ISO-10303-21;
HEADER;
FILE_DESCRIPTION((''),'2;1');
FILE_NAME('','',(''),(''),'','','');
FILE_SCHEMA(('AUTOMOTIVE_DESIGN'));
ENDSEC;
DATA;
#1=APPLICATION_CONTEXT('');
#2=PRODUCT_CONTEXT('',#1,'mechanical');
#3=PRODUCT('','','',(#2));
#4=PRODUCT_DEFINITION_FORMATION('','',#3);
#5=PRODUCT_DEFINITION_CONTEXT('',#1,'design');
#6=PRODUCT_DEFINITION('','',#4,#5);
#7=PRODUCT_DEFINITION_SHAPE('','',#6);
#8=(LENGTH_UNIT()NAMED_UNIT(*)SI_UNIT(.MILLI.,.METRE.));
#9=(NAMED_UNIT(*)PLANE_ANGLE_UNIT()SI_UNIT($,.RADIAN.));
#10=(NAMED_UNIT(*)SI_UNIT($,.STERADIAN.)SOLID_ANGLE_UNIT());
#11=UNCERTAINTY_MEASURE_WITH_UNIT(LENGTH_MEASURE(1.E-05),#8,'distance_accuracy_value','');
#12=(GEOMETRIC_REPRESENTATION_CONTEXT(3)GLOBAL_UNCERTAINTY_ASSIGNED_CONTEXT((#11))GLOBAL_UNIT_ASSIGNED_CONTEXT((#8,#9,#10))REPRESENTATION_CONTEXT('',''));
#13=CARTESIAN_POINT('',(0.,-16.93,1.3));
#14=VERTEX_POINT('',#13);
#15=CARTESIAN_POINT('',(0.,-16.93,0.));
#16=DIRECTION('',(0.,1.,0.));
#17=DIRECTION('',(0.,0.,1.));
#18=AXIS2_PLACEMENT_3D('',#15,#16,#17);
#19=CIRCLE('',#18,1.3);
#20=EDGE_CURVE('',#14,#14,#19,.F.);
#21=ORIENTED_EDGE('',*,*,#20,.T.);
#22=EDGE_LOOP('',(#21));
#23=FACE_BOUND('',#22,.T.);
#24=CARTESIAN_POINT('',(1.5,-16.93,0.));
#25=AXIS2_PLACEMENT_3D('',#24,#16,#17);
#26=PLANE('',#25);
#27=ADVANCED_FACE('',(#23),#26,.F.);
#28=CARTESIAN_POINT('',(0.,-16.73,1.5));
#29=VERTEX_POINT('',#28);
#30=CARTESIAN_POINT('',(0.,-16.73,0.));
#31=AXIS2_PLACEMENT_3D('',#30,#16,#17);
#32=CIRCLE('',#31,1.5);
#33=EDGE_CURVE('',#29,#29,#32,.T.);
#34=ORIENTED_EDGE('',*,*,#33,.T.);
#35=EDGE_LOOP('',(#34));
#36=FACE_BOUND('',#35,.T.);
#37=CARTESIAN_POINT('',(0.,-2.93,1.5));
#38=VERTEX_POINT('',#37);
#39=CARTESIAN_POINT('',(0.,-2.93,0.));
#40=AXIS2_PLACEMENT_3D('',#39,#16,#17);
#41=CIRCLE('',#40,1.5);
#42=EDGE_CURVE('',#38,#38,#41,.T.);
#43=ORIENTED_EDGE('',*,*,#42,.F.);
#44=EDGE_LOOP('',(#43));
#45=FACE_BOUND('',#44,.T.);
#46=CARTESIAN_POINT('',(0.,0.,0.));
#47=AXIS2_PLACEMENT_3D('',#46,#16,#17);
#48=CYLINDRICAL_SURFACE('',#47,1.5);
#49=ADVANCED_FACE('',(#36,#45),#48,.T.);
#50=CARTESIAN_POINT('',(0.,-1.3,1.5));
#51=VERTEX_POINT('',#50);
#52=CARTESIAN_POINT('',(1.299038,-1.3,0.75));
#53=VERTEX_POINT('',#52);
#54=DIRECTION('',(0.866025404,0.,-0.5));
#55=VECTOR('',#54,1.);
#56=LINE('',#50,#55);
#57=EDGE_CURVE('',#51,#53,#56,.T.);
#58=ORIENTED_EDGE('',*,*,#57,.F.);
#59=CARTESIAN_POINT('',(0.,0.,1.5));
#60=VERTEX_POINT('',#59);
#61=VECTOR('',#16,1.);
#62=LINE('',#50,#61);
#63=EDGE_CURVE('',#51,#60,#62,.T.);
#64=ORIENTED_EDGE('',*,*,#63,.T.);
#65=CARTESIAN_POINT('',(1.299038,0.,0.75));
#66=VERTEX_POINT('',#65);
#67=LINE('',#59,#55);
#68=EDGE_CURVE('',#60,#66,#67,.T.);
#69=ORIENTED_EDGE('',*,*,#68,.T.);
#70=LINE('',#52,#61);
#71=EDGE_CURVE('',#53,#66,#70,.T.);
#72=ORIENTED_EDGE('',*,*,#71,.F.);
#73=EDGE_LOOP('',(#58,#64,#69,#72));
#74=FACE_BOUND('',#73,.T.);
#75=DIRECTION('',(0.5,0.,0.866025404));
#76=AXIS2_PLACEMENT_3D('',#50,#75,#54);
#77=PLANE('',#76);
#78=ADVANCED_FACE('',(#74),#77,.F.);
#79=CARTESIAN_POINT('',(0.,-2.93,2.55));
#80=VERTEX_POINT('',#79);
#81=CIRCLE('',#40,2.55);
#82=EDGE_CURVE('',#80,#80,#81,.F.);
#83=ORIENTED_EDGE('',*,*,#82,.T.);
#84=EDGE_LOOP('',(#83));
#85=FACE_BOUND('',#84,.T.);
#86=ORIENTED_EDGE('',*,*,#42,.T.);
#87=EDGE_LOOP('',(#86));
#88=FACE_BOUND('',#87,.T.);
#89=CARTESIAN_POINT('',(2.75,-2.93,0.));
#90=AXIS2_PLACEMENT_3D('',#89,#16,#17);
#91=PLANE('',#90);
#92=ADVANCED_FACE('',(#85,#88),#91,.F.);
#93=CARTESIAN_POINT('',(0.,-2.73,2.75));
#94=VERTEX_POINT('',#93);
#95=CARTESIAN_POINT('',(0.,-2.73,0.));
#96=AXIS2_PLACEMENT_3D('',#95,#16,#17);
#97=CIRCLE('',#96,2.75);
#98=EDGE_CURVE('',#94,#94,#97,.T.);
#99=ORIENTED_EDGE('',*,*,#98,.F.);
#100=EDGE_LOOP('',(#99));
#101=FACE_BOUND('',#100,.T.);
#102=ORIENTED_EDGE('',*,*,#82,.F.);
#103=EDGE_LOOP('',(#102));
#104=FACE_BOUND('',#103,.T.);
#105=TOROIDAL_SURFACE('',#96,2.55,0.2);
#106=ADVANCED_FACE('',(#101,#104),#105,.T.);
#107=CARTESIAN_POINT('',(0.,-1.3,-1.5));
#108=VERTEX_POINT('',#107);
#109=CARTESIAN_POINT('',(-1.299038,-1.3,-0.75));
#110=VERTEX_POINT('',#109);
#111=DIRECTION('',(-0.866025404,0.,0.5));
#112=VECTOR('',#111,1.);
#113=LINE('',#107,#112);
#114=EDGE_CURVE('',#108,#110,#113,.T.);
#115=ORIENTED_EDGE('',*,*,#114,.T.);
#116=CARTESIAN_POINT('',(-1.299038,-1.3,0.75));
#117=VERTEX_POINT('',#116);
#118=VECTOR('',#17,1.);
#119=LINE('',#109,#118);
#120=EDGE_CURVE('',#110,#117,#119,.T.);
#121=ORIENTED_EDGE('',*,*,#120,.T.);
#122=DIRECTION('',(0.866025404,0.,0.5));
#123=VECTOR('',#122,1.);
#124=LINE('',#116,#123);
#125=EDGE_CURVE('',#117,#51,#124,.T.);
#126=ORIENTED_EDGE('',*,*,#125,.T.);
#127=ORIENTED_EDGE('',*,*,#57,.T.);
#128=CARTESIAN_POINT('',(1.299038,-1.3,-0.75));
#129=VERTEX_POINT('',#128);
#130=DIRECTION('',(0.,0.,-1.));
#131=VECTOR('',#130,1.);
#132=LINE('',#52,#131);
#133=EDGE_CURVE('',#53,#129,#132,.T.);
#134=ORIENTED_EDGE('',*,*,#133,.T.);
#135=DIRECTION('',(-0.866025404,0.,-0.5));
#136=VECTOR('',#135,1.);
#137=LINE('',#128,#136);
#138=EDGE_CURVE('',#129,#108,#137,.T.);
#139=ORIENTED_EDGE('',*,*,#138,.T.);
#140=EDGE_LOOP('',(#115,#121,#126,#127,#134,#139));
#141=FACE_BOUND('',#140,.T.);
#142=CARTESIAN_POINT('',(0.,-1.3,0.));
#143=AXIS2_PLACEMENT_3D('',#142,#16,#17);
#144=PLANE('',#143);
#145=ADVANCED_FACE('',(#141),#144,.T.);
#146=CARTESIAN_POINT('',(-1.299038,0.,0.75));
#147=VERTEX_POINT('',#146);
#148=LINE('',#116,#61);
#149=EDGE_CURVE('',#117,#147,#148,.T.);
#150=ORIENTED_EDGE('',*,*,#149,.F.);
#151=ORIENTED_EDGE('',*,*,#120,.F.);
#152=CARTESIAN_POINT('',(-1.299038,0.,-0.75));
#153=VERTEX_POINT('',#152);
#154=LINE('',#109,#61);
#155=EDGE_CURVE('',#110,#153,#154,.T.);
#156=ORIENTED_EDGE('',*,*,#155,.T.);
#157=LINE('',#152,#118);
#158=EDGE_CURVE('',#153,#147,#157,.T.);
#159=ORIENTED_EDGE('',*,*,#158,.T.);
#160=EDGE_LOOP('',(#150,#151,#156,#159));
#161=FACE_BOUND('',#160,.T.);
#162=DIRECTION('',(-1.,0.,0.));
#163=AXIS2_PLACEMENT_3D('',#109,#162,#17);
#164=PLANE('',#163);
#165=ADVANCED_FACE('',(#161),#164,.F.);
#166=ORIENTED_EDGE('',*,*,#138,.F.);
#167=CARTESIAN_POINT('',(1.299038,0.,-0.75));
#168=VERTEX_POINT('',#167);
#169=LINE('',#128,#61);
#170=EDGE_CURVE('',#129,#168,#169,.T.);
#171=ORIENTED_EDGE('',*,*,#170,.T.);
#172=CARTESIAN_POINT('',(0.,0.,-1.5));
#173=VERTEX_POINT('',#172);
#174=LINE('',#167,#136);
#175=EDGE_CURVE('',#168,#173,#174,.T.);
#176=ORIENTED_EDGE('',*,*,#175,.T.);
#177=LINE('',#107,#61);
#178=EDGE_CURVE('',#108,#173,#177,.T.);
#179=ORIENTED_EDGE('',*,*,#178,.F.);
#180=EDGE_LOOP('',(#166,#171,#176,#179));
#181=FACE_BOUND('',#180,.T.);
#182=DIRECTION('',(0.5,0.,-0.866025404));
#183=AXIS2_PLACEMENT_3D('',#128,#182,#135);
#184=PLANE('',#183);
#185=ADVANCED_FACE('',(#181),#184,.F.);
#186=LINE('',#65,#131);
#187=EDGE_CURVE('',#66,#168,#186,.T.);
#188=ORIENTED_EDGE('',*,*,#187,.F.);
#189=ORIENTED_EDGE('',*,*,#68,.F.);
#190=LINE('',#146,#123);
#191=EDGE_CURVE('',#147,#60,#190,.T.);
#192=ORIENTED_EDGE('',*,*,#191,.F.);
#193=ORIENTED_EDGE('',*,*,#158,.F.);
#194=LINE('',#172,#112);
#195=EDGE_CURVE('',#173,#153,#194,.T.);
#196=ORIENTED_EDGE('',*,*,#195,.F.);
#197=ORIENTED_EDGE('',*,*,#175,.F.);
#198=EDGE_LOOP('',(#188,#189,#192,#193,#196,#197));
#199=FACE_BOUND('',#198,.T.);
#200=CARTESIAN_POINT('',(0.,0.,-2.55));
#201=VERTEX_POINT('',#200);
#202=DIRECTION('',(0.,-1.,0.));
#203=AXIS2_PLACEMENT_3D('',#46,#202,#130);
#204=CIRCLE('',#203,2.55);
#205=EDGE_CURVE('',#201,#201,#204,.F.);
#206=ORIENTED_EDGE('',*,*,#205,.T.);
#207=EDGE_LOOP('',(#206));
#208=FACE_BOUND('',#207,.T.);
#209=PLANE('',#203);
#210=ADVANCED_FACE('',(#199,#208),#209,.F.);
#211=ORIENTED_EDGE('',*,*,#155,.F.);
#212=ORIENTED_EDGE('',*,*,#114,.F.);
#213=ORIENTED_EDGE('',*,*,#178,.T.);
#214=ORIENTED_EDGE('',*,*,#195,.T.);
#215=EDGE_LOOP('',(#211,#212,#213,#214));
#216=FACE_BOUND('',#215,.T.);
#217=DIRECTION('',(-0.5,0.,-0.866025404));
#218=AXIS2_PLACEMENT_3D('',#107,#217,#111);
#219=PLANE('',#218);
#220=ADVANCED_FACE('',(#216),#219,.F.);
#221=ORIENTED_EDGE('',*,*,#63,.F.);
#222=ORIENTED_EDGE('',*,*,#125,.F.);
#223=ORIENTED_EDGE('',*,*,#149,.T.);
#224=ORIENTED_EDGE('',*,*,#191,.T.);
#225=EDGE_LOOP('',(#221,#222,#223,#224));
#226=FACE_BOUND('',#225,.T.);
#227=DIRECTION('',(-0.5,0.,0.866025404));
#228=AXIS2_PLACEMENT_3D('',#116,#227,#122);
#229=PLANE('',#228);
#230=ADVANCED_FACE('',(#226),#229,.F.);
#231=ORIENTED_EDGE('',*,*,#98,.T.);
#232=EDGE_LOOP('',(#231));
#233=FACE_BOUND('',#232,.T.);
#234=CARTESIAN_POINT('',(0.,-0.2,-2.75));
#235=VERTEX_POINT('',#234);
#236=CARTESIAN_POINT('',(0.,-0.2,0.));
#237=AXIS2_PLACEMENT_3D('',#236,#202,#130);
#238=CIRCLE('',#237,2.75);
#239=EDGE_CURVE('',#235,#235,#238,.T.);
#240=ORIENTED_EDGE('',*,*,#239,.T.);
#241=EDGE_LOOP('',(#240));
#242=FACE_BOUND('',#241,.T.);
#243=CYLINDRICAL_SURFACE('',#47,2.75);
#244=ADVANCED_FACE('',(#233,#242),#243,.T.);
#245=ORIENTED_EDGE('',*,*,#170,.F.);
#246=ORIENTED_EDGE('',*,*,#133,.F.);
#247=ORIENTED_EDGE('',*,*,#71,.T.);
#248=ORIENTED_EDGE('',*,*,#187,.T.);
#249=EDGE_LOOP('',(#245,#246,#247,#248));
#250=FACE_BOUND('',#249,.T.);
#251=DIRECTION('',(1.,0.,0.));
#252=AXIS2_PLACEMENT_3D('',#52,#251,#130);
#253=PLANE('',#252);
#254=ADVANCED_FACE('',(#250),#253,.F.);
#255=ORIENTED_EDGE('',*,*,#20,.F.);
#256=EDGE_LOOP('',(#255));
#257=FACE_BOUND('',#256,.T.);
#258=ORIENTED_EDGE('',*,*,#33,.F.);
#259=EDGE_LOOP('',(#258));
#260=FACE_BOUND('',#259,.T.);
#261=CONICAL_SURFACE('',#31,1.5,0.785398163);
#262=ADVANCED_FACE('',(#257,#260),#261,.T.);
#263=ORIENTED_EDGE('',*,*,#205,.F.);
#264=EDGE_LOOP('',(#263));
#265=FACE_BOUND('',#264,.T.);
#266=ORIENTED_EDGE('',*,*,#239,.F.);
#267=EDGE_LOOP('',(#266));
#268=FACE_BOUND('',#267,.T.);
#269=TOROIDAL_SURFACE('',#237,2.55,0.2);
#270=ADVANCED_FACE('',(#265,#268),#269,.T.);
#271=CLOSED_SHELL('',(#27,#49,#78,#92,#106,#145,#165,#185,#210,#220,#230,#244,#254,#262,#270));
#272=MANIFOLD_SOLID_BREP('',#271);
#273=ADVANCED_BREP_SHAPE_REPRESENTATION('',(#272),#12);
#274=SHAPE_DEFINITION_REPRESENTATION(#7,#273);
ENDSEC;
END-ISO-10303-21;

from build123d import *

# Parameters (mm, degrees)
CUT_EXTRUDE_1_DEPTH = 1.3
FILLET_1_R          = 0.2
CHAMFER_1_SIZE      = 0.2


with BuildPart() as part:
    # 草图1 → 旋转1 (revolve)
    with BuildSketch(Plane.XY, mode=Mode.PRIVATE) as revolve_1_sk:
        Polygon((0, 0), (2.75, 0), (2.75, -2.93), (1.5, -2.93), (1.5, -16.93), (0, -16.93), align=None)
    revolve(revolve_1_sk.sketch.rotate(Axis((0, 0, 0), (0, -1, 0)), 90), axis=Axis((0, 0, 0), (0, -1, 0)))

    # 草图2 → 切除-拉伸1 (cut)
    with BuildSketch(Plane(origin=(0, 0, 0), x_dir=(1, 0, 0), z_dir=(0, 1, 0))):
        Polygon((0, 1.5), (-1.299038106, 0.75), (-1.299038106, -0.75), (0, -1.5), (1.299038106, -0.75), (1.299038106, 0.75), align=None)
    extrude(amount=-CUT_EXTRUDE_1_DEPTH, mode=Mode.SUBTRACT)

    # 圆角1
    fillet_1_edges = [part.edges().sort_by_distance(p)[0] for p in [
        (0, -2.93, -2.75),
        (0, 0, -2.75),
    ]]
    fillet(fillet_1_edges, radius=FILLET_1_R)

    # 倒角1
    chamfer_1_edges = [part.edges().sort_by_distance(p)[0] for p in [
        (0, -16.93, -1.5),
    ]]
    chamfer(chamfer_1_edges, length=CHAMFER_1_SIZE)


solid = part.part
